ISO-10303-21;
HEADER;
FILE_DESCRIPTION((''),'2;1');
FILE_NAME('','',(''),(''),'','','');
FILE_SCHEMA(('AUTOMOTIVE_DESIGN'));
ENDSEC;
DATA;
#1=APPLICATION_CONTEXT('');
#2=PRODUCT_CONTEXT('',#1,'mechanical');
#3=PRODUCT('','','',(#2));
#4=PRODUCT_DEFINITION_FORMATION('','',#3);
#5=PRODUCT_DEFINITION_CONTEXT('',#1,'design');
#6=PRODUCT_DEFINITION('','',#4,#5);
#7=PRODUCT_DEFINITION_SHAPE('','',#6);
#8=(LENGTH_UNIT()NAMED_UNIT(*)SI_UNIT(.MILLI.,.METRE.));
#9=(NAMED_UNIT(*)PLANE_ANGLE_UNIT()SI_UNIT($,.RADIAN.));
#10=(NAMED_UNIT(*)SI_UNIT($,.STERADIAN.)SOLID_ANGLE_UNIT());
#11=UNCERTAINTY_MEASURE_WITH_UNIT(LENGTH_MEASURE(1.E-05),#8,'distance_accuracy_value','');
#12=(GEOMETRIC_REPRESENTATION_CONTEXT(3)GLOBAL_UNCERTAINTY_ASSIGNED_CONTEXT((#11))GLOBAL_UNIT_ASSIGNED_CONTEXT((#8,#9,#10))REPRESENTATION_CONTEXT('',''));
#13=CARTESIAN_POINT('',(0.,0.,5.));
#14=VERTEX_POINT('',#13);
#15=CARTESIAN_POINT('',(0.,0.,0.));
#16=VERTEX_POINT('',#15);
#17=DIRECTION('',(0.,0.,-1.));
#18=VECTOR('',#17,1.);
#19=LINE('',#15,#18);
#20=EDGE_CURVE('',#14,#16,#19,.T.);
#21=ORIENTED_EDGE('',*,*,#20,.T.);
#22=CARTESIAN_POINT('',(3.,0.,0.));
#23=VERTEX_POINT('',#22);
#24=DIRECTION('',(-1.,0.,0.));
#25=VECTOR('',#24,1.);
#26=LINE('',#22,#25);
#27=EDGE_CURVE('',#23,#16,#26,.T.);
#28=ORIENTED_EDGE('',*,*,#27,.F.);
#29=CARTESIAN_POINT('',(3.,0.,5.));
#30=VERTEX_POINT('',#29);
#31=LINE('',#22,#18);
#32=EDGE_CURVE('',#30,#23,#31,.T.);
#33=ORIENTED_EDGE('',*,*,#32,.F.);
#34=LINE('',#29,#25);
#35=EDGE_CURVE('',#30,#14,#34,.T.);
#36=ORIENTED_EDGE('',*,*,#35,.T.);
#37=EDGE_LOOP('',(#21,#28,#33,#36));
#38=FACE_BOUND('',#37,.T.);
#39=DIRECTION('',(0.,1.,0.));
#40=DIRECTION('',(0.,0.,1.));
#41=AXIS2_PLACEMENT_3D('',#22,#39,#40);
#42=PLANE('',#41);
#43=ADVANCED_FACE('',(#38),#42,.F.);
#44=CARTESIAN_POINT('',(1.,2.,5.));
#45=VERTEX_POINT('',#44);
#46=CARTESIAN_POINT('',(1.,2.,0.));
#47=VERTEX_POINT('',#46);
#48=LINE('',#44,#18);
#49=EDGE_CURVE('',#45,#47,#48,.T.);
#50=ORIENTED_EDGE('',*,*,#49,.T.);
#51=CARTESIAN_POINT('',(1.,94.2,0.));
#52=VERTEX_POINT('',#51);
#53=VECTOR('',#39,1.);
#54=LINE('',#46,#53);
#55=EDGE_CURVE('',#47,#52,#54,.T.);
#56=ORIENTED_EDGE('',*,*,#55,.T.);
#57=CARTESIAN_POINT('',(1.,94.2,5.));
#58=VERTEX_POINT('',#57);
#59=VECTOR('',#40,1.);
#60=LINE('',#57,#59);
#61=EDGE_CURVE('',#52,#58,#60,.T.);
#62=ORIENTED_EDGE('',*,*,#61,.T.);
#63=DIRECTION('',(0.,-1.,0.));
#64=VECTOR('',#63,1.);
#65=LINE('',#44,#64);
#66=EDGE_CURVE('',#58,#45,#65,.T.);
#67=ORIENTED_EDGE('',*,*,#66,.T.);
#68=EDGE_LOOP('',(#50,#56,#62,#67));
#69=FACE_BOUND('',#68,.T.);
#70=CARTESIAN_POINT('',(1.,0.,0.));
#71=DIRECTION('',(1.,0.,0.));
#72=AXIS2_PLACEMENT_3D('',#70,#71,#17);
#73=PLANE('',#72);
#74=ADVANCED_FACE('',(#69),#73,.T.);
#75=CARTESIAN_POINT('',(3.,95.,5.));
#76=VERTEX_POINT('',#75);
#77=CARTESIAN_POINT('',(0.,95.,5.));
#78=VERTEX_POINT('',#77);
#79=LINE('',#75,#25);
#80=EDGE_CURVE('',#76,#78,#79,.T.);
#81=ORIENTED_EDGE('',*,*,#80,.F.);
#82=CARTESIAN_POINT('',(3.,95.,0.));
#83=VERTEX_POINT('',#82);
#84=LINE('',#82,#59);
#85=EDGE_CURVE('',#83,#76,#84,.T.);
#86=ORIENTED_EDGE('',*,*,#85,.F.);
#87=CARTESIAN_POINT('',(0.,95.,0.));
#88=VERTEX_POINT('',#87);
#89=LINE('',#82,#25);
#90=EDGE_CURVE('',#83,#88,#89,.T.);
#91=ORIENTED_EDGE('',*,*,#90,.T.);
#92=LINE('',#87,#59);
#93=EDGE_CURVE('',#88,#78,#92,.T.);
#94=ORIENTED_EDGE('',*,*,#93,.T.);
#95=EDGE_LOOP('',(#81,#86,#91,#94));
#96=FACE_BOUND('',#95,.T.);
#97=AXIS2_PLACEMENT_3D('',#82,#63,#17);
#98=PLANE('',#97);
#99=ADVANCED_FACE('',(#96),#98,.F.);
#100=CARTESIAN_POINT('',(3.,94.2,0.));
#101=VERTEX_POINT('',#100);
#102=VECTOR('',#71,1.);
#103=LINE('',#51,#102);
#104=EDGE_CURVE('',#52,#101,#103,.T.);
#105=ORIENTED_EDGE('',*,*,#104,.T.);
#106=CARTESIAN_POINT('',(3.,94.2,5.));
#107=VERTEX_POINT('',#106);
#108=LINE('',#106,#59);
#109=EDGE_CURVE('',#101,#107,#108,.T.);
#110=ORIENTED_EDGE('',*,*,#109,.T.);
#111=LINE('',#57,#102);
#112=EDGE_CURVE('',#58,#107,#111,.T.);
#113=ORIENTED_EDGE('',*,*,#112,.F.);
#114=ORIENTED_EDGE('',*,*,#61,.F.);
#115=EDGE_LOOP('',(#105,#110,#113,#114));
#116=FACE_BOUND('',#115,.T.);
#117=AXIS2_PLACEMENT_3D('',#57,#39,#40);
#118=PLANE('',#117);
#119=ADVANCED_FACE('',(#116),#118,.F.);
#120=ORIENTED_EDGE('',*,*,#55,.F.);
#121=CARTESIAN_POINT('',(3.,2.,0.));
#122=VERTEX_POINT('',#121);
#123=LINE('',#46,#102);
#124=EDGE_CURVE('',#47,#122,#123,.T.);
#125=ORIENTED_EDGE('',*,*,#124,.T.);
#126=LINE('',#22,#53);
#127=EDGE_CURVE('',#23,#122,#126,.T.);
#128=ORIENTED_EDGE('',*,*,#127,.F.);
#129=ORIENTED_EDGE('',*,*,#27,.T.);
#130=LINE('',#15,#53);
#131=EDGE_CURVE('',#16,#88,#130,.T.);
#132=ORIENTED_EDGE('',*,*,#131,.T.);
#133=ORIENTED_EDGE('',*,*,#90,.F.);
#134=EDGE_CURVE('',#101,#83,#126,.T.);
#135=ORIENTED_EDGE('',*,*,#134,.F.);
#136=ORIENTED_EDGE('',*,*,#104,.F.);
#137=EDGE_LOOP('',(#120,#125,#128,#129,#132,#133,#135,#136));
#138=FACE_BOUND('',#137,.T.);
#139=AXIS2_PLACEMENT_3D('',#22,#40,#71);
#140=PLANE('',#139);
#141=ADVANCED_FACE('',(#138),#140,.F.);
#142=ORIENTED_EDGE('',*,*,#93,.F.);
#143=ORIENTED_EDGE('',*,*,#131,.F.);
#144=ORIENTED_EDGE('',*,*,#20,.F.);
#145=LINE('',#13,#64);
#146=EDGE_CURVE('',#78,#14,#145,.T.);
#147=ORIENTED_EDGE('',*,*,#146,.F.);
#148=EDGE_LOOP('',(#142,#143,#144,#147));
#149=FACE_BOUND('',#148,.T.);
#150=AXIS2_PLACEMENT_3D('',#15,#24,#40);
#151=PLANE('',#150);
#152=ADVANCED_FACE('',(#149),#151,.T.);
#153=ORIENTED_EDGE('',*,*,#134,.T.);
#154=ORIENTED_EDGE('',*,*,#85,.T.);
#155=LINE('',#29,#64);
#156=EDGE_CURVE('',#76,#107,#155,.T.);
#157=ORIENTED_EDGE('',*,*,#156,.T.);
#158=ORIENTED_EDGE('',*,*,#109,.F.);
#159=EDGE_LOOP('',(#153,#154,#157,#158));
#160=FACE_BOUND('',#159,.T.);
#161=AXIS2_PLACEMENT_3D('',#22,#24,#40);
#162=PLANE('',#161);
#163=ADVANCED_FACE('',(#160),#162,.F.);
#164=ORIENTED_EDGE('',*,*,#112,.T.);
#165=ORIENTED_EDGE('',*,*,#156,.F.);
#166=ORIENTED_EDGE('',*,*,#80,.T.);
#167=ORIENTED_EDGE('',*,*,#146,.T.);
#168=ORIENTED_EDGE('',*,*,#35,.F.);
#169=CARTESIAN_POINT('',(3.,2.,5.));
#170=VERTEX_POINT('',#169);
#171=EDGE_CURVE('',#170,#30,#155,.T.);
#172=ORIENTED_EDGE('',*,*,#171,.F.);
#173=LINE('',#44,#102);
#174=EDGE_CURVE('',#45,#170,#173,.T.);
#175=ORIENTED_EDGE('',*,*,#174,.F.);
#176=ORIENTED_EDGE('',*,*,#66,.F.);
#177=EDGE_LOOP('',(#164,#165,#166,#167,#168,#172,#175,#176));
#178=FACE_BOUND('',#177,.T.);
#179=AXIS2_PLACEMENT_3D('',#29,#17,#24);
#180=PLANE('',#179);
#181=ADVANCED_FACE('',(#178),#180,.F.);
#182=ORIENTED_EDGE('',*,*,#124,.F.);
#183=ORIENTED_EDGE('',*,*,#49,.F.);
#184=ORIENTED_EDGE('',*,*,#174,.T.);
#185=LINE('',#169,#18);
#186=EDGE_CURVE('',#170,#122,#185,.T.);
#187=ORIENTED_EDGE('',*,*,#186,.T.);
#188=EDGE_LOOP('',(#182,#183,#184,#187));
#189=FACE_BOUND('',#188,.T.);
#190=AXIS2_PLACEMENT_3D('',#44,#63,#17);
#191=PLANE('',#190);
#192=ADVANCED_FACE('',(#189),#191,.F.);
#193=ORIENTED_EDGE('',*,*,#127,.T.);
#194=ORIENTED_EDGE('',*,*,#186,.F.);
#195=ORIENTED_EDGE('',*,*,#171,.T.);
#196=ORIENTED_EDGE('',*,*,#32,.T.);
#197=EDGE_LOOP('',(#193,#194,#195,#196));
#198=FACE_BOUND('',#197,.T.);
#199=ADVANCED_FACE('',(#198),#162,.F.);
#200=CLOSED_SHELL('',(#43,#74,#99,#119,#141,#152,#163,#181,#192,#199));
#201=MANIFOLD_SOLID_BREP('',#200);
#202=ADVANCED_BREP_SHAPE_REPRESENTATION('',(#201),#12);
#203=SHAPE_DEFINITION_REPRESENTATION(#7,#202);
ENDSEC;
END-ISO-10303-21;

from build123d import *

# Parameters (mm, degrees)
SKETCH1_W           = 95
SKETCH1_H           = 5
BOSS_EXTRUDE1_DEPTH = 3
SKETCH2_W           = 92.2
SKETCH2_H           = 5
CUT_EXTRUDE1_DEPTH  = 2


with BuildPart() as part:
    # Sketch1 → Boss-Extrude1 (new body)
    with BuildSketch(Plane.YZ):
        with Locations((47.5, 2.5)):
            Rectangle(SKETCH1_W, SKETCH1_H)
    extrude(amount=BOSS_EXTRUDE1_DEPTH)

    # Sketch2 → Cut-Extrude1 (cut)
    with BuildSketch(Plane.YZ.offset(3)):
        with Locations((48.1, 2.5)):
            Rectangle(SKETCH2_W, SKETCH2_H)
    extrude(amount=-CUT_EXTRUDE1_DEPTH, mode=Mode.SUBTRACT)


solid = part.part
